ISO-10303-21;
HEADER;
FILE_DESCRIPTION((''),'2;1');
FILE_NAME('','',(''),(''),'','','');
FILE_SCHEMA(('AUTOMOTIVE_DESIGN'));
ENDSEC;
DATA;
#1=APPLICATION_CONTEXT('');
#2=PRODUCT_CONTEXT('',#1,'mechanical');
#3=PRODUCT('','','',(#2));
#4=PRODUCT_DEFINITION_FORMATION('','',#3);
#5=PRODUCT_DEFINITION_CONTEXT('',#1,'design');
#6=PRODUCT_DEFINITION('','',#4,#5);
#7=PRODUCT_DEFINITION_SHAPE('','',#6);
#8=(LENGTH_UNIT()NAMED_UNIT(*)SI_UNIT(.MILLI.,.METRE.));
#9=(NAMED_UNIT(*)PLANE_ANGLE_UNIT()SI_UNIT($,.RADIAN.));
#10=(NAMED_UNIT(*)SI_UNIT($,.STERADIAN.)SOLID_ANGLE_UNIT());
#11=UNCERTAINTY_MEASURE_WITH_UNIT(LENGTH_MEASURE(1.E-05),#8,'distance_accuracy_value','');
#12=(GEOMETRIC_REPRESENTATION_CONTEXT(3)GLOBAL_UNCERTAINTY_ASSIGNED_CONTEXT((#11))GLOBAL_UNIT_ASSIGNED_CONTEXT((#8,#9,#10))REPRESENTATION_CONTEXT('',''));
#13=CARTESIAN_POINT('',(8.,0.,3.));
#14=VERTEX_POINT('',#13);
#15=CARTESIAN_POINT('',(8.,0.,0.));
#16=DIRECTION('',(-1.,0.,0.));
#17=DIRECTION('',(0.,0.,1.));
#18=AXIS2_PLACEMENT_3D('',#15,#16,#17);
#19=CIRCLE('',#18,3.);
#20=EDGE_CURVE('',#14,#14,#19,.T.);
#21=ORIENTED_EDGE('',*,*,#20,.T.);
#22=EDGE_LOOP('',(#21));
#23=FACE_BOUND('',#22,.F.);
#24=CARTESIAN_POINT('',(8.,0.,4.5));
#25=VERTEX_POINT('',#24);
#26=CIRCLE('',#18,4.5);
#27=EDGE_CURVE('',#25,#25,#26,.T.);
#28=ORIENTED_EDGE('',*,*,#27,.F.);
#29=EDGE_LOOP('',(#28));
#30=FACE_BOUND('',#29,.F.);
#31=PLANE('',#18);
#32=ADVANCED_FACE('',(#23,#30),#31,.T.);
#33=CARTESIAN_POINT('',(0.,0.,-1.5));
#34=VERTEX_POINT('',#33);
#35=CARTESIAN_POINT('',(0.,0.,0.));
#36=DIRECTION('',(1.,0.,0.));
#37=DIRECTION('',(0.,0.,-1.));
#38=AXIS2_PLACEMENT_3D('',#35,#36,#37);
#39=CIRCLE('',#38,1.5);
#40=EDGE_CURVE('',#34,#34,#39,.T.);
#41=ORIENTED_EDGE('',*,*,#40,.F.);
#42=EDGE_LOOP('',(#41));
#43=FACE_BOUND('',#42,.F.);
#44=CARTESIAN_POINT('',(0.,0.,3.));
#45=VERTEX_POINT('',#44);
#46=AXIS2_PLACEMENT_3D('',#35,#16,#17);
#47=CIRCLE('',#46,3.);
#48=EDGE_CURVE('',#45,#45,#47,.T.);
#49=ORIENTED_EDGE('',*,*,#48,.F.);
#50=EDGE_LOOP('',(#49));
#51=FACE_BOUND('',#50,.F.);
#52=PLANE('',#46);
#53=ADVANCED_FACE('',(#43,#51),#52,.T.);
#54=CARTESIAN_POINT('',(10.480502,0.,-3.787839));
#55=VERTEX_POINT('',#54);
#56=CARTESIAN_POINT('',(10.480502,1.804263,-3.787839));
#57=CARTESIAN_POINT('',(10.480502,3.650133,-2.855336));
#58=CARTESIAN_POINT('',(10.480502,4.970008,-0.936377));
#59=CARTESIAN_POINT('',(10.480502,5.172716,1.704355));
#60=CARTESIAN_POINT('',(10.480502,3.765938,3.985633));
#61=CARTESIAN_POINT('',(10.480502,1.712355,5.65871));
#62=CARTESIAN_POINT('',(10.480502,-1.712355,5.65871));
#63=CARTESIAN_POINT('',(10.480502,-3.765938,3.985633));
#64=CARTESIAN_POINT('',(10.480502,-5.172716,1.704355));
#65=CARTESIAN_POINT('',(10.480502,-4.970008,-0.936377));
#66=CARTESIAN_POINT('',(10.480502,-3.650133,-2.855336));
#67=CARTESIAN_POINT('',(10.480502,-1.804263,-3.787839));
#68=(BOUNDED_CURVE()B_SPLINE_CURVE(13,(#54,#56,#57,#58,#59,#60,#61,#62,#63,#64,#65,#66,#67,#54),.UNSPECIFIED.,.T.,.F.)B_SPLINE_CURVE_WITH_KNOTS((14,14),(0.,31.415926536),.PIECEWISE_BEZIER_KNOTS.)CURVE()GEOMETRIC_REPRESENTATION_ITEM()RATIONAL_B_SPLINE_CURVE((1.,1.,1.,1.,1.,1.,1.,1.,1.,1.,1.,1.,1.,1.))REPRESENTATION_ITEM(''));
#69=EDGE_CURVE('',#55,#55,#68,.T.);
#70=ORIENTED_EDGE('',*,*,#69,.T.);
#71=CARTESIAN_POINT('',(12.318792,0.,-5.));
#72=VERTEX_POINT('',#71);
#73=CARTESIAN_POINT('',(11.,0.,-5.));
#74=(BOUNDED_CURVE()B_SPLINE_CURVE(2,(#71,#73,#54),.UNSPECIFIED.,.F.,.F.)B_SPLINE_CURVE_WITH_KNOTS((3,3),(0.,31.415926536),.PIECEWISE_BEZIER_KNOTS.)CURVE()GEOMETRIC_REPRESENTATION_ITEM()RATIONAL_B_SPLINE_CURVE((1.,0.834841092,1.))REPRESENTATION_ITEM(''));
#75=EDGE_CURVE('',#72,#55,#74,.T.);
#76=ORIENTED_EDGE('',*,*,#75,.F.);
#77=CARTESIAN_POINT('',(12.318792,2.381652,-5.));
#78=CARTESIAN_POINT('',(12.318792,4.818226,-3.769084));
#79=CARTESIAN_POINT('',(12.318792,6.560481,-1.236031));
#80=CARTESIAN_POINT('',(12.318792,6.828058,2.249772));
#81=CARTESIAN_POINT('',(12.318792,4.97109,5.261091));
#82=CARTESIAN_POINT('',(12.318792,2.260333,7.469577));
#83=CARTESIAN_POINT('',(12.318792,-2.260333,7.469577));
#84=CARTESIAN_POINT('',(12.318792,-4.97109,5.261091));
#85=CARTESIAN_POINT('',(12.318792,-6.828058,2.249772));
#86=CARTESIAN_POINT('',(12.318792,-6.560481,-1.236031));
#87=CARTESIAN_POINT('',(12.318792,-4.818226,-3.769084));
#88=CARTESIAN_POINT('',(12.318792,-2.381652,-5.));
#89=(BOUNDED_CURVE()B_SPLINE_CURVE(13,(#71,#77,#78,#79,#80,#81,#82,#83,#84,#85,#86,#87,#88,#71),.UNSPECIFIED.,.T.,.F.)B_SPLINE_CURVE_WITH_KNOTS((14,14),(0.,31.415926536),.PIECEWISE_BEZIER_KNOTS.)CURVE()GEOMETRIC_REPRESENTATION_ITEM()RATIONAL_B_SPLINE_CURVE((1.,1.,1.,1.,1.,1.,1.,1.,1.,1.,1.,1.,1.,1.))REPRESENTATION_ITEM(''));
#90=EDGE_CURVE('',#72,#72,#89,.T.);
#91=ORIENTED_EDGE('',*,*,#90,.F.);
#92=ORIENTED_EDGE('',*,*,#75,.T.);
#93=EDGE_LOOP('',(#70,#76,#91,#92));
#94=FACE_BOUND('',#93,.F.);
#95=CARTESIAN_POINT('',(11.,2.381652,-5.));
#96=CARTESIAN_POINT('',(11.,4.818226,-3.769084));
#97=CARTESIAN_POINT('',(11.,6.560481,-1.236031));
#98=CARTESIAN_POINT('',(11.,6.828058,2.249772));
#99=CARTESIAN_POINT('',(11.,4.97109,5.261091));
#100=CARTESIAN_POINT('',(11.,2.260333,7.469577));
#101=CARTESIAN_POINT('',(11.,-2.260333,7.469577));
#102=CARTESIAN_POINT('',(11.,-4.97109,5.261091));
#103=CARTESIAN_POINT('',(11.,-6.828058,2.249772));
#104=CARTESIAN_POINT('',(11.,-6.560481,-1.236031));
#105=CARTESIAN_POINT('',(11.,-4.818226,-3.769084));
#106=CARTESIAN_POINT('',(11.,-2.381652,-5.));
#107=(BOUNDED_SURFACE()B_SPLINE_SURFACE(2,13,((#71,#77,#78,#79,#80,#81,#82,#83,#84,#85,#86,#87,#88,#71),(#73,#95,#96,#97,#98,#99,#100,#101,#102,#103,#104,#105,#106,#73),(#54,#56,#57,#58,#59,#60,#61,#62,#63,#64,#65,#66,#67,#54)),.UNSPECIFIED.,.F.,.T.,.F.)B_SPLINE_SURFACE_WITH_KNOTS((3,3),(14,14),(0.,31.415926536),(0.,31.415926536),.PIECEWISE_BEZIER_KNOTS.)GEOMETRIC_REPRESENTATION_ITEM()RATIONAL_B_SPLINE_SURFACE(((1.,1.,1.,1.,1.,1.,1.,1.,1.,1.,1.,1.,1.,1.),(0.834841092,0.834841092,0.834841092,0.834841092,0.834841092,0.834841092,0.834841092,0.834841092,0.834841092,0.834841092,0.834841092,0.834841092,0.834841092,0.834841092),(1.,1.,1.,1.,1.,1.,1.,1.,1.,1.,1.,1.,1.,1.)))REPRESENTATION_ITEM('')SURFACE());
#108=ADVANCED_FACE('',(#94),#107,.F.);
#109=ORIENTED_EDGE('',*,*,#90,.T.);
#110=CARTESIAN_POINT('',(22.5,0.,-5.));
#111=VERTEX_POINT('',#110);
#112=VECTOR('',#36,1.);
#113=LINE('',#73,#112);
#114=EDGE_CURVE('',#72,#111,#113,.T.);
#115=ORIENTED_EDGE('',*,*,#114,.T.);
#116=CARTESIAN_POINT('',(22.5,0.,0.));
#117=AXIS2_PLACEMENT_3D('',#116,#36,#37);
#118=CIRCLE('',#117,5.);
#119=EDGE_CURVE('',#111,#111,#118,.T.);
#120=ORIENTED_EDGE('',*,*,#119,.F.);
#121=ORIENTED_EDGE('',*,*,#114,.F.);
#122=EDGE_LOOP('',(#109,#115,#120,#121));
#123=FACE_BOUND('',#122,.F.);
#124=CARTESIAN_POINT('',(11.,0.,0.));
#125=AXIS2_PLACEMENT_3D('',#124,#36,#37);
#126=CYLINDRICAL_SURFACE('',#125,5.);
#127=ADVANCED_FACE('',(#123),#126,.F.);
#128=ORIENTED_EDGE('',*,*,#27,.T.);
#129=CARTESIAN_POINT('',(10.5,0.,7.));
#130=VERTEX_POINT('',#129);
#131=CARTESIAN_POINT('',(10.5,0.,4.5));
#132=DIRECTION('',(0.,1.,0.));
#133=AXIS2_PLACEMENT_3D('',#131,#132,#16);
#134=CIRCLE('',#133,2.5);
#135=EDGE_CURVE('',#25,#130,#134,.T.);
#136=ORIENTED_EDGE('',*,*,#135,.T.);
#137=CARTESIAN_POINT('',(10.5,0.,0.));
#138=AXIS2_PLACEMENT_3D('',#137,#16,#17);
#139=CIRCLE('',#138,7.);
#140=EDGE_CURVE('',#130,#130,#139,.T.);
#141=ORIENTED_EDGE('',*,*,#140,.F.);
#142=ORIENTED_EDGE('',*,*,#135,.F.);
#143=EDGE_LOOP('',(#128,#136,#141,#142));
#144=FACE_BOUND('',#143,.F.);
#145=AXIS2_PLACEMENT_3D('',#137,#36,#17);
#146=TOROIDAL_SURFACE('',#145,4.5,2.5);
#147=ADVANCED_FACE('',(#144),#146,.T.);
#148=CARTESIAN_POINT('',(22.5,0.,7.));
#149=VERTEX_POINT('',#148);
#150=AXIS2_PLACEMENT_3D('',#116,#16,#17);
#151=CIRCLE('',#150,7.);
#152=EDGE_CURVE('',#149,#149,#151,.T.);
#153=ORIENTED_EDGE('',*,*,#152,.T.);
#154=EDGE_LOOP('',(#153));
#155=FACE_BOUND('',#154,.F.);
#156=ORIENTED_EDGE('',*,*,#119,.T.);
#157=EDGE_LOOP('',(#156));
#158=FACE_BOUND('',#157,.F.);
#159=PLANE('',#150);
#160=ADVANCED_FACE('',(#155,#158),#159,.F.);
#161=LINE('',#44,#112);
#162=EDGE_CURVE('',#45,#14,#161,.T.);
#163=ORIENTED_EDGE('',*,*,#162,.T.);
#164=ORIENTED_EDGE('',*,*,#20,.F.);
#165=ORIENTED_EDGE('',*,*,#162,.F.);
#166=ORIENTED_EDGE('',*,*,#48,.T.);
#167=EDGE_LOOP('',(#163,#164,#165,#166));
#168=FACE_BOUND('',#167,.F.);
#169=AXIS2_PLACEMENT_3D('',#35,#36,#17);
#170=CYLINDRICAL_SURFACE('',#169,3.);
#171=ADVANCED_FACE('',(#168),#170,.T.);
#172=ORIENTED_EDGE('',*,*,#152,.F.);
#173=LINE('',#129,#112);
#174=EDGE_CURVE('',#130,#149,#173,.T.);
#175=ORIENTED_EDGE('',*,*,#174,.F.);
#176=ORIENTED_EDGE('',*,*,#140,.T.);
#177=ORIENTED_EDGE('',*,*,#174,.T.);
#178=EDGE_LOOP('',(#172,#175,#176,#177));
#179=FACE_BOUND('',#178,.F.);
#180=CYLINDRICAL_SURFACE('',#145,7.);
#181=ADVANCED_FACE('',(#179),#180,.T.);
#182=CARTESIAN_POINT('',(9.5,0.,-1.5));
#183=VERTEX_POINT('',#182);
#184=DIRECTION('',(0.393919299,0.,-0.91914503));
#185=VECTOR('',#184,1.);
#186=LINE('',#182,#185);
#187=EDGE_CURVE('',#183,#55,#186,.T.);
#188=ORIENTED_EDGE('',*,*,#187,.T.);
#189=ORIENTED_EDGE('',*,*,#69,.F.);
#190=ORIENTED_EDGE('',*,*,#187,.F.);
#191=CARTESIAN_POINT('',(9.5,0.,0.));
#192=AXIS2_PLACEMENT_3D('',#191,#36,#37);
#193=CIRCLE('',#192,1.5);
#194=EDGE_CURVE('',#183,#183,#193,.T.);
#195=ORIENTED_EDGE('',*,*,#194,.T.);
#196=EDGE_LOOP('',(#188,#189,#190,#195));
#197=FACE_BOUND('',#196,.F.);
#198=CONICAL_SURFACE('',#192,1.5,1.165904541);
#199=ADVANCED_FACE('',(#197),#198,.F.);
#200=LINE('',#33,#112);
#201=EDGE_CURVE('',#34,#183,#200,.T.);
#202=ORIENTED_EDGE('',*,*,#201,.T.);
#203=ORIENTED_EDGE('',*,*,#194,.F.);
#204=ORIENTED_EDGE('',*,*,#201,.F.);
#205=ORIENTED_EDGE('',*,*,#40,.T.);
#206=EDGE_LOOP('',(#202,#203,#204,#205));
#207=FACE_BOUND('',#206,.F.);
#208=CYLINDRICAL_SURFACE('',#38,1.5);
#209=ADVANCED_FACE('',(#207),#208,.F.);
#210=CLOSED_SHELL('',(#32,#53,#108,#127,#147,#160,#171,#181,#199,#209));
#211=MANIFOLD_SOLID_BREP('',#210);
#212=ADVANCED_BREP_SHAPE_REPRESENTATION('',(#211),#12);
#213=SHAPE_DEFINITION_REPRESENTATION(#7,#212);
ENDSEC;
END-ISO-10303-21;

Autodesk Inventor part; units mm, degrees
ref_plane "YZ Plane" through (0, 0, 0) normal (1, 0, 0) x (0, 1, 0)
ref_plane "XZ Plane" through (0, 0, 0) normal (0, 1, 0) x (-1, 0, 0)
ref_plane "XY Plane" through (0, 0, 0) normal (0, 0, 1) x (1, 0, 0)
sketch "Skizze1" plane through (0, 0, 0) normal (0, 1, 0) x (-1, 0, 0)
  line L0 (0, 0) -> (0, 3)
  line L1 (0, 3) -> (-8, 3)
  line L2 (-8, 3) -> (-8, 4.5)
  line L3 (-10.5, 7) -> (-22.5, 7)
  line L4 (-22.5, 7) -> (-22.5, 0)
  line L5 (-22.5, 0) -> (0, 0)
  arc A0 (-8, 4.5) -> (-10.5, 7) centre (-10.5, 4.5) ccw
  point P0 (-8, 7)
  dimension "d0" = 6
  dimension "d1" = 8
  dimension "d2" = 14.5
  dimension "d3" = 14
  dimension "d4" = 2.5
revolve "Umdrehung1" add sketch "Skizze1" angle 360 about axis through (22.5, 0, 0) along (-1, 0, 0)
thread "Gewinde1" size "M6x1" class "6g" standard "ISO Metric profile" length 8
sketch "Skizze2" plane through (0, 0, 0) normal (0, 1, 0) x (-1, 0, 0)
  line L0 (0, 0) -> (-22.5, 0)
  line L1 (-22.5, -7) -> (-22.5, 7) projected
  line L2 (0, -1.5) -> (-9.5, -1.5)
  line L3 (0, -1.5) -> (0, 0)
  line L4 (0, -3) -> (0, 3) projected
  line L5 (-11, -5) -> (-22.5, -5)
  line L6 (-9.5, -1.5) -> (-11, -5)
  line L7 (-22.5, -5) -> (-22.5, 0)
  dimension "d8" = 3
  dimension "d9" = 9.5
  dimension "d12" = 10
  dimension "d13" = 11.5
revolve "Umdrehung2" cut sketch "Skizze2" angle 360 about axis through (0, 0, 0) along (1, 0, 0)
fillet "Rundung1" radius 2 1 edges at (11, 0, 5)
thread "Gewinde2" size "M10x1.5" class "6H" standard "ISO Metric profile" length 10.181
properties part number "1071"
